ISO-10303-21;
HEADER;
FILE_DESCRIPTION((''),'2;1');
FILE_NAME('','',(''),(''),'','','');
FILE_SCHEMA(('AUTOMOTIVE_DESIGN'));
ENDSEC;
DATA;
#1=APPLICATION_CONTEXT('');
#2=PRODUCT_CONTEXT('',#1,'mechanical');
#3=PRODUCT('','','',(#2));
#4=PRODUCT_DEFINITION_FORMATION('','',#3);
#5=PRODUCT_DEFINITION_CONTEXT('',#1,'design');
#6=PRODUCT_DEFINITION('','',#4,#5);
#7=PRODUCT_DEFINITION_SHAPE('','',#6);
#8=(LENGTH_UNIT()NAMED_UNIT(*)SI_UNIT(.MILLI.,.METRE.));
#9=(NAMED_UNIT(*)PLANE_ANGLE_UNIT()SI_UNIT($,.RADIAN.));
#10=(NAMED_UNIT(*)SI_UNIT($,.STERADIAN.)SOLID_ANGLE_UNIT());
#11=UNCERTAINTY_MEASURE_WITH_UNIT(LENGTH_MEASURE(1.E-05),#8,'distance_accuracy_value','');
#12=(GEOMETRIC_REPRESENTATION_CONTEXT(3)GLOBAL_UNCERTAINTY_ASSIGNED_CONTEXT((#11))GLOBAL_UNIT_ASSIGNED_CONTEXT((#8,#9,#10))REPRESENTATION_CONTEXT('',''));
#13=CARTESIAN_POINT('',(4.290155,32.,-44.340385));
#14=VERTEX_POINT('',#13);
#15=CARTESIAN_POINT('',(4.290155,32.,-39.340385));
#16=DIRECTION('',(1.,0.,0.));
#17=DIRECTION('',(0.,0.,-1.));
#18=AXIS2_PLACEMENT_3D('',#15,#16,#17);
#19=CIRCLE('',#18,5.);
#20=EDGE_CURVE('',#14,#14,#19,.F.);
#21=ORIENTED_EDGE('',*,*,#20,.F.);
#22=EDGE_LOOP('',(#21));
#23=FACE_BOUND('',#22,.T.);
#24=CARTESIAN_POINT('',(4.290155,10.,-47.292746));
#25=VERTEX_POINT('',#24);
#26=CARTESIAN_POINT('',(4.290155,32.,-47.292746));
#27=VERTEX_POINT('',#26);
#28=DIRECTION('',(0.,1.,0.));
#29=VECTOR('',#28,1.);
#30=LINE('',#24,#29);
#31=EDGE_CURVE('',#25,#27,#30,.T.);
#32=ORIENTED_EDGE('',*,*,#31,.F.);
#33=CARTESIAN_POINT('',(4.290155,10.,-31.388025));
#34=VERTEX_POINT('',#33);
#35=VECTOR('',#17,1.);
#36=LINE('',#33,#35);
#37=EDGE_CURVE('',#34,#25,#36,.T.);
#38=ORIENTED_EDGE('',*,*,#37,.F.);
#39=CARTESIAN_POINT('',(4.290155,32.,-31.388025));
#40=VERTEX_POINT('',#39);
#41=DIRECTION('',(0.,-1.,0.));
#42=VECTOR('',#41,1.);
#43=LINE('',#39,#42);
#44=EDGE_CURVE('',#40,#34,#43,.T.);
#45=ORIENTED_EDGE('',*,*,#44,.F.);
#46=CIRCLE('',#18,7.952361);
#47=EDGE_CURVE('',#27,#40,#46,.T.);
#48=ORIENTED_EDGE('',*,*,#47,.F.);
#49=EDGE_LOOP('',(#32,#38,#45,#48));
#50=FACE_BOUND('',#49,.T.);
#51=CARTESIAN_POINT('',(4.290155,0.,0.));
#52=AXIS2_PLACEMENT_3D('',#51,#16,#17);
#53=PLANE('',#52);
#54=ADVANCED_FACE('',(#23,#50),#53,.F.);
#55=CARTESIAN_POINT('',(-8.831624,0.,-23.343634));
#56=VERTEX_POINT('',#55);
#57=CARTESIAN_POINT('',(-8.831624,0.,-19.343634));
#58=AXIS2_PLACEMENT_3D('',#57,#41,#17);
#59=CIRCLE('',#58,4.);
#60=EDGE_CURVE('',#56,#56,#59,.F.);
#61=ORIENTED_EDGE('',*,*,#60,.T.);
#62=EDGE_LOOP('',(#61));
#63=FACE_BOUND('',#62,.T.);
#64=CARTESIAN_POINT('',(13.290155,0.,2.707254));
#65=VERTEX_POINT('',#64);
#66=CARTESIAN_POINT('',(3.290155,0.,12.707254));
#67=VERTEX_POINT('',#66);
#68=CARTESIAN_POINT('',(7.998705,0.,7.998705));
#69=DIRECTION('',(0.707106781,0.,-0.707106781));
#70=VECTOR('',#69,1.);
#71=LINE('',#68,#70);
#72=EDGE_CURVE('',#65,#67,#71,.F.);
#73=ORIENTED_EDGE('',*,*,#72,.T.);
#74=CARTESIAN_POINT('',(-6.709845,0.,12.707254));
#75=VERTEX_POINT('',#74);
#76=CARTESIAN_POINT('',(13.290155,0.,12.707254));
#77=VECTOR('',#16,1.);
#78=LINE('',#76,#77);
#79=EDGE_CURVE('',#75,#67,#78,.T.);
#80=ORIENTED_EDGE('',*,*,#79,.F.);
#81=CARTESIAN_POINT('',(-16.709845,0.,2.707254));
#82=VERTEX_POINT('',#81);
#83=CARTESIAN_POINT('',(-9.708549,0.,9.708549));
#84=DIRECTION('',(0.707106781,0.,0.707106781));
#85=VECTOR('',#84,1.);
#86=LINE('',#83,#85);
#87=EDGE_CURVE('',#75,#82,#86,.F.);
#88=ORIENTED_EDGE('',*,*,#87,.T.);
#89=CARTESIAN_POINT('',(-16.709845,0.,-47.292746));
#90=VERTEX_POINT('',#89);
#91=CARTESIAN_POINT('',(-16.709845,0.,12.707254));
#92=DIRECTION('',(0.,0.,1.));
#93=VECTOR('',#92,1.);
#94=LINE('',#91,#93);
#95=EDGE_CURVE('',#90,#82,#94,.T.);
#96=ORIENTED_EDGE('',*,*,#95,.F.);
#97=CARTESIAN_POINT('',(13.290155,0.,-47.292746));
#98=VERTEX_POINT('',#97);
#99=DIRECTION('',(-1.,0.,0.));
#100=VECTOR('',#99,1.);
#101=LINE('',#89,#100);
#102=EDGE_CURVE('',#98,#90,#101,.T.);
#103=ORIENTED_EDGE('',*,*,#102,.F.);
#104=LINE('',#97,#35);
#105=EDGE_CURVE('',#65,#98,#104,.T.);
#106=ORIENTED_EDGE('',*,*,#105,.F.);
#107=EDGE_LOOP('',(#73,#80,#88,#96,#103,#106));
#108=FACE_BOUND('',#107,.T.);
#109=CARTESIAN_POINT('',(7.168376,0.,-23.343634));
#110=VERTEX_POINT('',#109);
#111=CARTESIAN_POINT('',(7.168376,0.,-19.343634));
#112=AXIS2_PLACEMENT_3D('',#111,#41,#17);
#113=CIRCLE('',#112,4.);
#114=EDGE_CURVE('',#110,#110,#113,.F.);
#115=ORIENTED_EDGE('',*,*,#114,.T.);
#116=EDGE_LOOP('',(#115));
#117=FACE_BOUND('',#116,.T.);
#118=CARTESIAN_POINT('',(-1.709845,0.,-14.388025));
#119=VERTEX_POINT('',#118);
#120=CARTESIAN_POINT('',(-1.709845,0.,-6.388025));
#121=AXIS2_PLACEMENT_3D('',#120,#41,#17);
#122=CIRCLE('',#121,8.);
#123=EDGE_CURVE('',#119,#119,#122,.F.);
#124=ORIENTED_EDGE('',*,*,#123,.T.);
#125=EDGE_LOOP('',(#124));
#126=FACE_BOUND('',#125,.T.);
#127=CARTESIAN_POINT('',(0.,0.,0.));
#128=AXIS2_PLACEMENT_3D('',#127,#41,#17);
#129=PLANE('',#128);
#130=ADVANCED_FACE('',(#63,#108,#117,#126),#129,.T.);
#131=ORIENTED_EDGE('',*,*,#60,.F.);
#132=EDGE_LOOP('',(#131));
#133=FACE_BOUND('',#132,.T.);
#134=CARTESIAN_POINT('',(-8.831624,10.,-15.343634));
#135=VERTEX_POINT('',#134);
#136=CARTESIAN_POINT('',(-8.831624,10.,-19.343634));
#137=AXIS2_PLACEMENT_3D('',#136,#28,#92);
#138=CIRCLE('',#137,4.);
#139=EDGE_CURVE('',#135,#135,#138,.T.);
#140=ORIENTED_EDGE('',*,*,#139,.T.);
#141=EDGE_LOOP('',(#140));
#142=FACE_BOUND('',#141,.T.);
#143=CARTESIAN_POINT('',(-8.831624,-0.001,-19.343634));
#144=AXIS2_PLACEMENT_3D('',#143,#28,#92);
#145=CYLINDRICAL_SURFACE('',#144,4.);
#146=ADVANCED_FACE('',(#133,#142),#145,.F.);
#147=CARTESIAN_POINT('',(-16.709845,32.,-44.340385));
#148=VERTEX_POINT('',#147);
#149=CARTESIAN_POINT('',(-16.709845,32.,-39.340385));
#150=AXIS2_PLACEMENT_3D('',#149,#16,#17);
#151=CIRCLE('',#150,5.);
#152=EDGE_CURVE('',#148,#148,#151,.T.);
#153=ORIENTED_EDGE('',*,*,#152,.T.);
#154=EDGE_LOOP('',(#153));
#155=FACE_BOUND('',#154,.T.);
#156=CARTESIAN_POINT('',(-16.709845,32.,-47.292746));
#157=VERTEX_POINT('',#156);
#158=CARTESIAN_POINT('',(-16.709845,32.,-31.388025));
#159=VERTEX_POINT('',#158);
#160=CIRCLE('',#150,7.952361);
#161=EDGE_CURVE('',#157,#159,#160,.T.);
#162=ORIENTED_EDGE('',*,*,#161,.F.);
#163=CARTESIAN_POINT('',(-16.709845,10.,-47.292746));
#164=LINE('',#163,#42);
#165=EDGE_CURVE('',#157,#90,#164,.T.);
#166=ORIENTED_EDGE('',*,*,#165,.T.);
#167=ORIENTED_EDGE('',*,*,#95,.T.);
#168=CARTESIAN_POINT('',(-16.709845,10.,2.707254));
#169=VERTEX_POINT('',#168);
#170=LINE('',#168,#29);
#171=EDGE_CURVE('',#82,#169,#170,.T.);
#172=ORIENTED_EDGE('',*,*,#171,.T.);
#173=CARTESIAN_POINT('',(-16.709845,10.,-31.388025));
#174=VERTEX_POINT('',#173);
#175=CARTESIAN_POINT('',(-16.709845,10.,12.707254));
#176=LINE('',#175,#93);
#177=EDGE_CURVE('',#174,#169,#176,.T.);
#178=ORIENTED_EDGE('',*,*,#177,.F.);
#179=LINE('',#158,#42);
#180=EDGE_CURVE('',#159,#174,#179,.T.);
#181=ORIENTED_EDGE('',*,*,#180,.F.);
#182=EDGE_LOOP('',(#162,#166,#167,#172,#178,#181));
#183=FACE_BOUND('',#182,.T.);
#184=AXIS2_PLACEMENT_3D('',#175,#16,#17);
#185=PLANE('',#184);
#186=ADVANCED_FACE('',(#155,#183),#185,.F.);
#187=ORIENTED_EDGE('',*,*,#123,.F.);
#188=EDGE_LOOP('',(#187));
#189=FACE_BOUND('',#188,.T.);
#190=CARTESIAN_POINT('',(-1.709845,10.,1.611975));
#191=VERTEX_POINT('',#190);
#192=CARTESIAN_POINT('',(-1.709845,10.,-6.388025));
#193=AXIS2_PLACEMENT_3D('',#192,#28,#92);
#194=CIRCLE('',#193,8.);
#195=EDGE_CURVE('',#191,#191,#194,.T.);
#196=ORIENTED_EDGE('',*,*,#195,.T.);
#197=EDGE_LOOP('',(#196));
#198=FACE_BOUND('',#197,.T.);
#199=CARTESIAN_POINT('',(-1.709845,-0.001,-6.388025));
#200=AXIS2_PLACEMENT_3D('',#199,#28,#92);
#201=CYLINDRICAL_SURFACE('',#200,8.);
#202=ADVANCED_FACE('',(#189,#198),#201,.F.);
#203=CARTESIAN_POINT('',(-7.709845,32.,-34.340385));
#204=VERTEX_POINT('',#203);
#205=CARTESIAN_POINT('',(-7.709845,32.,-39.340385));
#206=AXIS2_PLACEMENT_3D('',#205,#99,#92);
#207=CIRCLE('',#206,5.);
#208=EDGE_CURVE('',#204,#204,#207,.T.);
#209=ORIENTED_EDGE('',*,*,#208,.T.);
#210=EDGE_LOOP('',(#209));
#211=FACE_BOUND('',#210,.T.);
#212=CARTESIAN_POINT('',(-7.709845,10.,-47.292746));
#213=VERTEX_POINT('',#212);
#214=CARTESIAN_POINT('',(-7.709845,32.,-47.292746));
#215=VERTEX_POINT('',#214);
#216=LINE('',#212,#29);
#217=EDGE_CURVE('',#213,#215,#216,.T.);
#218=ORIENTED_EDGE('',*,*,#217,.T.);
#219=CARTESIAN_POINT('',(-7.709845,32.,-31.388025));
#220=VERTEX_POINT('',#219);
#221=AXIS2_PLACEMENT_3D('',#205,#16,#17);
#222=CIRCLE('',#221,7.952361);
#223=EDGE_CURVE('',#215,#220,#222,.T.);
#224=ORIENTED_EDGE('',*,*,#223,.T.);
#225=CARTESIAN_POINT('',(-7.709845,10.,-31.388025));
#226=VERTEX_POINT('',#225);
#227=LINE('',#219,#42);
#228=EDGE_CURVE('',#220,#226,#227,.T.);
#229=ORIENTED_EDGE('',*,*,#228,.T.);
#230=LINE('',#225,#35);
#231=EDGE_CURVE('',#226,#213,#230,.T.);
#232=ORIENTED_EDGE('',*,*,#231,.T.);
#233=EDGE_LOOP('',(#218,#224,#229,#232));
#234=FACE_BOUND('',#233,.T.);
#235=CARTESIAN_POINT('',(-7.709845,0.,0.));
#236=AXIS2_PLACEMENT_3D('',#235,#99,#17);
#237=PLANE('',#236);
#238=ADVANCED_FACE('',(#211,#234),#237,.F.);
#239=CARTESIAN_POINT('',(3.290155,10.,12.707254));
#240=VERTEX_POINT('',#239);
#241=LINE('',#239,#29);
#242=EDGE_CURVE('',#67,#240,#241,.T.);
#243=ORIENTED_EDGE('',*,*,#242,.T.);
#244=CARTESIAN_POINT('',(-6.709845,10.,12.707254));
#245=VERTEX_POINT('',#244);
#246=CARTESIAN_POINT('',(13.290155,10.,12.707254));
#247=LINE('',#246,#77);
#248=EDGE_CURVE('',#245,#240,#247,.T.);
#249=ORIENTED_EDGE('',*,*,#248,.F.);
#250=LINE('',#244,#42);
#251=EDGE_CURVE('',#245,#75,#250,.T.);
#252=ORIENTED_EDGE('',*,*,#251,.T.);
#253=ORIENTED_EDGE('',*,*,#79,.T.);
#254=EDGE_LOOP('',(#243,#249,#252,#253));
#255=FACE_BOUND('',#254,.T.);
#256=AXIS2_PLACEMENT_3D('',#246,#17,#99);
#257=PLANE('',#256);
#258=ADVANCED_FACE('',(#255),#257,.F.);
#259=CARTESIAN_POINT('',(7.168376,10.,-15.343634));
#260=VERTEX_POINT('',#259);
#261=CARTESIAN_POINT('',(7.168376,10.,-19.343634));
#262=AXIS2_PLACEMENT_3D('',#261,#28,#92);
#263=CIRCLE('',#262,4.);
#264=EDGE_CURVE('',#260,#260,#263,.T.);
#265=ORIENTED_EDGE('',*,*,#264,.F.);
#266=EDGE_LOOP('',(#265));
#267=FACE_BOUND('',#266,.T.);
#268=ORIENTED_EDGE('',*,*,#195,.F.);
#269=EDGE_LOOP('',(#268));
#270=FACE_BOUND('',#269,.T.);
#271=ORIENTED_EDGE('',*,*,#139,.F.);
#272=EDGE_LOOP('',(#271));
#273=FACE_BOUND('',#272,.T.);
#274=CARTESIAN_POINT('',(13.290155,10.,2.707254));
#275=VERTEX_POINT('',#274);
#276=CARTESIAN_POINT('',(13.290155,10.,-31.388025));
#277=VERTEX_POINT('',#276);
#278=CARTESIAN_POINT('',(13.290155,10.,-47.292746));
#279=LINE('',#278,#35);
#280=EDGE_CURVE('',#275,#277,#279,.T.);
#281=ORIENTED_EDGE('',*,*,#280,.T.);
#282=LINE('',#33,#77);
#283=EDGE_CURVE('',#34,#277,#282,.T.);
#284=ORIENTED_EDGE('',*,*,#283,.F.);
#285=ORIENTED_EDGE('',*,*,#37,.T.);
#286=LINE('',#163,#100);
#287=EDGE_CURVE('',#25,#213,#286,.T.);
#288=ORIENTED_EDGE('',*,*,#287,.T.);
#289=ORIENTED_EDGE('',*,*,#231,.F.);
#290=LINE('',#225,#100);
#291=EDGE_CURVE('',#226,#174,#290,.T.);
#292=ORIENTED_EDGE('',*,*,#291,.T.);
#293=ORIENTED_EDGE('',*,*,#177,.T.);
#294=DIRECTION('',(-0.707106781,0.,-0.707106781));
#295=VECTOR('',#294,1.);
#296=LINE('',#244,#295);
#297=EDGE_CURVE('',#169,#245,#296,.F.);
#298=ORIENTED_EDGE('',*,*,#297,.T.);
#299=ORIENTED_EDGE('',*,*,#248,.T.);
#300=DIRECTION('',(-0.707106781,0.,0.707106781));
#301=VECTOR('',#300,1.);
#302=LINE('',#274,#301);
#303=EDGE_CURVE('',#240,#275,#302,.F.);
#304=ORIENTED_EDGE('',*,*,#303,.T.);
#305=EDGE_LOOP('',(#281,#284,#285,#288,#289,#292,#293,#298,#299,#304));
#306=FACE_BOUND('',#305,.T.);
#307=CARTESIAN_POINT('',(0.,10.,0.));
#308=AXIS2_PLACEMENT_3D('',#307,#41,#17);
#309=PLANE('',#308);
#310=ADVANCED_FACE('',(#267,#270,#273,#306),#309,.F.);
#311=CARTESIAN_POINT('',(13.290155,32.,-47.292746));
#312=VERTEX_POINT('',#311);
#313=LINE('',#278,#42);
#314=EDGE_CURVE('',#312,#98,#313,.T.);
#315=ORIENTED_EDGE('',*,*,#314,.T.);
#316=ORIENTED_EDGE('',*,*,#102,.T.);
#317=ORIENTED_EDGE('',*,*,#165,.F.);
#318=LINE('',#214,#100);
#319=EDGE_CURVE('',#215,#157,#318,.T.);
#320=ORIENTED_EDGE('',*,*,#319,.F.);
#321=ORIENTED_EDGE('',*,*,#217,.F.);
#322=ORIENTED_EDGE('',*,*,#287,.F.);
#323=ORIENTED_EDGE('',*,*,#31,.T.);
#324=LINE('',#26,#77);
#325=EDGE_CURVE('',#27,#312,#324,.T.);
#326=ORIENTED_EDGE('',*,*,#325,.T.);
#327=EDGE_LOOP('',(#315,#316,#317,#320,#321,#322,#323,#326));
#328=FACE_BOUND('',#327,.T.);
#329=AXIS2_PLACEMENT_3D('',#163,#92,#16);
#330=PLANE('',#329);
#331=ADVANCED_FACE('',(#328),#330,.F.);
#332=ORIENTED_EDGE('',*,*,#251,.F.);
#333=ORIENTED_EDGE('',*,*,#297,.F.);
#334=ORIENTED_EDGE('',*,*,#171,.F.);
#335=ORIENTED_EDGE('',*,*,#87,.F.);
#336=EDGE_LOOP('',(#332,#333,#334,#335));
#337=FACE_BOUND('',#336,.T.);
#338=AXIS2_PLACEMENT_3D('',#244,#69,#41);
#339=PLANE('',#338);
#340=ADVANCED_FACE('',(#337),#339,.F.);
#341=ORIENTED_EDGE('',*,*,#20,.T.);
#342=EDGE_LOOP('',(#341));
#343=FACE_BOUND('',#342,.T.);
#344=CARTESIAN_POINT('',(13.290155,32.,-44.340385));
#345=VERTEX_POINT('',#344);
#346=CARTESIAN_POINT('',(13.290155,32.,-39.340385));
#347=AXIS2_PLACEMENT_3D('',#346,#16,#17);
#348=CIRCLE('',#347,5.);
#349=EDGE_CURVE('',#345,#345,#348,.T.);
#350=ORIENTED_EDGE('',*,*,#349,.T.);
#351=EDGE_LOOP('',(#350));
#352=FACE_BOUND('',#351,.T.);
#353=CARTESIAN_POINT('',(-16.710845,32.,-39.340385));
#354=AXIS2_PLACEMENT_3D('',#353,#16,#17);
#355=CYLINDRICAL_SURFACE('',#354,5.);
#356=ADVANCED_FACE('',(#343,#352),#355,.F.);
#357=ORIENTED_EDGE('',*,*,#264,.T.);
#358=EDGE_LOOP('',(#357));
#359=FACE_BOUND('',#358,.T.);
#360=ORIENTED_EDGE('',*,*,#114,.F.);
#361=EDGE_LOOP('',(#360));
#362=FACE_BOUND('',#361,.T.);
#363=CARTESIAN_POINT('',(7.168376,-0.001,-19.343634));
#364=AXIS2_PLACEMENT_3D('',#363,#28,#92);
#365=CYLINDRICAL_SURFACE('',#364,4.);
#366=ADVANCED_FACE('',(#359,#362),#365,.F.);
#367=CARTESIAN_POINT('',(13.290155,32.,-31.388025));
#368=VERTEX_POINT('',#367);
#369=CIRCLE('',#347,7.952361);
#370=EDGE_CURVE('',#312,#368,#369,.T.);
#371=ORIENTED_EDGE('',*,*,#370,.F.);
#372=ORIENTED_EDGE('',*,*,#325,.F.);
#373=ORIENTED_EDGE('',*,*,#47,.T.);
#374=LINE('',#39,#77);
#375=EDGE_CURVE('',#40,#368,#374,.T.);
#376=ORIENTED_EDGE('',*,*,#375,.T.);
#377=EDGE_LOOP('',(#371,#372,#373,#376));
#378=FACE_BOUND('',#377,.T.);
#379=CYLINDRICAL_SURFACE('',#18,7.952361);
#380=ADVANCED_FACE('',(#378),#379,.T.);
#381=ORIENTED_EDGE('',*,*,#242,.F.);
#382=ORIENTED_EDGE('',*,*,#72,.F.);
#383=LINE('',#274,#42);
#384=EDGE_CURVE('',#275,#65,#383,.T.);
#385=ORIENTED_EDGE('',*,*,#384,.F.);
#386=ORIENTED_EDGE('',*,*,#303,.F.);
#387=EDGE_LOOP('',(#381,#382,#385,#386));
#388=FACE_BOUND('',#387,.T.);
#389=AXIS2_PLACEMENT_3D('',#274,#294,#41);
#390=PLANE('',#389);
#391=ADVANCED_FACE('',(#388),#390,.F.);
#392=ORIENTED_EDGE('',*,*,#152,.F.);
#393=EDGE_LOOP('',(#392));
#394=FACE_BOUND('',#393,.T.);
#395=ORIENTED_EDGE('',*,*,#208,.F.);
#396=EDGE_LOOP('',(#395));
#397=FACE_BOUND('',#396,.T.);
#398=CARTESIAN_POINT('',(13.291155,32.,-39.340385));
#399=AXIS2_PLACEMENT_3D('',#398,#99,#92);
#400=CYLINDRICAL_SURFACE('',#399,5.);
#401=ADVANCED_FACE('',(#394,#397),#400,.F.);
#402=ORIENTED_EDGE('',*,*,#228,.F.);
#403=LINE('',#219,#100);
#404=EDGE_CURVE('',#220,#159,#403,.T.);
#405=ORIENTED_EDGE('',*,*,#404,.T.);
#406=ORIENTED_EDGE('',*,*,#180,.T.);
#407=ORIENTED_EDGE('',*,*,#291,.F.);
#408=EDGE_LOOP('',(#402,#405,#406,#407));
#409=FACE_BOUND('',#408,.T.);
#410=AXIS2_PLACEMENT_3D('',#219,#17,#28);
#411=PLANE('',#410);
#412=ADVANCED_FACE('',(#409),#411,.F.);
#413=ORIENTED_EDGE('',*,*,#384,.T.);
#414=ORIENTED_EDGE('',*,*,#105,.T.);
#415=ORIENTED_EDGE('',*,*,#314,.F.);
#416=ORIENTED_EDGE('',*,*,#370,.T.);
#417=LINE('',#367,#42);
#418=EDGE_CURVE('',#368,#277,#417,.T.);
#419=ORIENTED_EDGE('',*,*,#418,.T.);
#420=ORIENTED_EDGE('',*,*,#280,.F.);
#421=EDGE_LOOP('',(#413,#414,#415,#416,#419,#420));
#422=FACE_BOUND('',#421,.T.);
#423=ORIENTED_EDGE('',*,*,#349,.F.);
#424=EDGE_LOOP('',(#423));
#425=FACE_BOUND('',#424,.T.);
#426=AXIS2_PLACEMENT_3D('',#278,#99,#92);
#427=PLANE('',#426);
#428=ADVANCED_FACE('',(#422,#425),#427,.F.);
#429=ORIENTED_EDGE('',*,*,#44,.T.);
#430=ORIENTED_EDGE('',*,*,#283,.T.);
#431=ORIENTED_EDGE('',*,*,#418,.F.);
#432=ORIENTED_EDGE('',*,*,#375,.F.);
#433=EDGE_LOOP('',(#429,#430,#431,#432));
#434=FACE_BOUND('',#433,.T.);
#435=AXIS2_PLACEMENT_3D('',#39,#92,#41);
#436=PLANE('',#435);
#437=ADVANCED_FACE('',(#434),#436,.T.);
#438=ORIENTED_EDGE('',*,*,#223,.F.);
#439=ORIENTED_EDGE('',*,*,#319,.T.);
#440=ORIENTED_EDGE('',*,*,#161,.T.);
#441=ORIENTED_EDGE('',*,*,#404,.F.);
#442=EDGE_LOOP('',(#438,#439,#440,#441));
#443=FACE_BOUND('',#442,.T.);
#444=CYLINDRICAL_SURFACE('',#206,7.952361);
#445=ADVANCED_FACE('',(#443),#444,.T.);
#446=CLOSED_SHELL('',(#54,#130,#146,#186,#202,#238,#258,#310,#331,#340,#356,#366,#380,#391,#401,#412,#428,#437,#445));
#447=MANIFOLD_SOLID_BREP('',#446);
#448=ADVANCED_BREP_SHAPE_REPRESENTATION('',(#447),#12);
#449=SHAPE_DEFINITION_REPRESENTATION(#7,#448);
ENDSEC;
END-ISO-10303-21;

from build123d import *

# Parameters (mm, degrees)
SKETCH2_W           = 30
SKETCH2_H           = 60
BOSS_EXTRUDE1_DEPTH = 10
CHAMFER1_SIZE       = 10
CHAMFER2_SIZE       = 10
SKETCH3_W           = 15.904721494
SKETCH3_H           = 22
BOSS_EXTRUDE2_DEPTH = 9
CUT_EXTRUDE4_REACH  = 56.771
SKETCH5_R           = 8
SKETCH6_R           = 7.952360747
BOSS_EXTRUDE3_DEPTH = 9
CUT_EXTRUDE5_REACH  = 70.795
SKETCH8_R           = 5
CUT_EXTRUDE6_REACH  = 60.421
SKETCH9_R           = 4


with BuildPart() as part:
    # Sketch2 → Boss-Extrude1 (new body)
    with BuildSketch(Plane(origin=(0, 0, 0), x_dir=(1, 0, 0), z_dir=(0, 1, 0))):
        with Locations((-1.70984456, 17.292746114)):
            Rectangle(SKETCH2_W, SKETCH2_H)
    extrude(amount=BOSS_EXTRUDE1_DEPTH)

    # Chamfer1
    chamfer1_edges = [part.edges().sort_by_distance(p)[0] for p in [
        (-16.70984456, 5, 12.707253886),
    ]]
    chamfer(chamfer1_edges, length=CHAMFER1_SIZE)

    # Chamfer2
    chamfer2_edges = [part.edges().sort_by_distance(p)[0] for p in [
        (13.29015544, 5, 12.707253886),
    ]]
    chamfer(chamfer2_edges, length=CHAMFER2_SIZE)

    # Sketch3 → Boss-Extrude2 (add)
    with BuildSketch(Plane(origin=(13.29015544, 0, 0), x_dir=(0, 0, -1), z_dir=(1, 0, 0))):
        with Locations((39.340385367, 21)):
            Rectangle(SKETCH3_W, SKETCH3_H)
    boss_extrude2 = extrude(amount=-BOSS_EXTRUDE2_DEPTH)

    # Sketch5 → Cut-Extrude4 (cut, up to next)
    with BuildSketch(Plane(origin=(0, 10, 0), x_dir=(1, 0, 0), z_dir=(0, 1, 0)), mode=Mode.PRIVATE) as cut_extrude4_sk1:
        with Locations(Location((-1.70984456, 6.38802462, 0), (0, 0, 270))):
            Circle(SKETCH5_R)
    cut_extrude4_tool1 = extrude(cut_extrude4_sk1.sketch, amount=-CUT_EXTRUDE4_REACH, mode=Mode.PRIVATE) & part.part
    add(cut_extrude4_tool1.solids().sort_by_distance((-1.709845, 10, -6.388025))[0], mode=Mode.SUBTRACT)

    # Sketch6 → Boss-Extrude3 (add)
    with BuildSketch(Plane(origin=(13.29015544, 0, 0), x_dir=(0, 0, -1), z_dir=(1, 0, 0))):
        with Locations((39.340385367, 32)):
            Circle(SKETCH6_R)
    boss_extrude3 = extrude(amount=-BOSS_EXTRUDE3_DEPTH)

    # Sketch8 → Cut-Extrude5 (cut, up to next)
    with BuildSketch(Plane(origin=(13.29015544, 0, 0), x_dir=(0, 0, -1), z_dir=(1, 0, 0)), mode=Mode.PRIVATE) as cut_extrude5_sk1:
        with Locations((39.340385367, 32)):
            Circle(SKETCH8_R)
    cut_extrude5_tool1 = extrude(cut_extrude5_sk1.sketch, amount=-CUT_EXTRUDE5_REACH, mode=Mode.PRIVATE) & part.part
    cut_extrude5 = cut_extrude5_tool1.solids().sort_by_distance((13.290155, 32, -39.340385))[0]
    add(cut_extrude5, mode=Mode.SUBTRACT)

    # Mirror6: Boss-Extrude2, Boss-Extrude3, Cut-Extrude5 across plane
    add(boss_extrude2.mirror(Plane.ZY.offset(1.70984456)))
    add(boss_extrude3.mirror(Plane.ZY.offset(1.70984456)))
    add(cut_extrude5.mirror(Plane.ZY.offset(1.70984456)), mode=Mode.SUBTRACT)

    # Sketch9 → Cut-Extrude6 (cut, up to next)
    with BuildSketch(Plane(origin=(0, 10, 0), x_dir=(1, 0, 0), z_dir=(0, 1, 0)), mode=Mode.PRIVATE) as cut_extrude6_sk1:
        with Locations(Location((-8.831623879, 19.34363435, 0), (0, 0, 270))):
            Circle(SKETCH9_R)
    cut_extrude6_tool1 = extrude(cut_extrude6_sk1.sketch, amount=-CUT_EXTRUDE6_REACH, mode=Mode.PRIVATE) & part.part
    # Sketch9 → Cut-Extrude6 (cut, up to next)
    with BuildSketch(Plane(origin=(0, 10, 0), x_dir=(1, 0, 0), z_dir=(0, 1, 0)), mode=Mode.PRIVATE) as cut_extrude6_sk2:
        with Locations(Location((7.168376121, 19.34363435, 0), (0, 0, 270))):
            Circle(SKETCH9_R)
    cut_extrude6_tool2 = extrude(cut_extrude6_sk2.sketch, amount=-CUT_EXTRUDE6_REACH, mode=Mode.PRIVATE) & part.part
    add(cut_extrude6_tool1.solids().sort_by_distance((-8.831624, 10, -19.343634))[0], mode=Mode.SUBTRACT)
    add(cut_extrude6_tool2.solids().sort_by_distance((7.168376, 10, -19.343634))[0], mode=Mode.SUBTRACT)


solid = part.part
